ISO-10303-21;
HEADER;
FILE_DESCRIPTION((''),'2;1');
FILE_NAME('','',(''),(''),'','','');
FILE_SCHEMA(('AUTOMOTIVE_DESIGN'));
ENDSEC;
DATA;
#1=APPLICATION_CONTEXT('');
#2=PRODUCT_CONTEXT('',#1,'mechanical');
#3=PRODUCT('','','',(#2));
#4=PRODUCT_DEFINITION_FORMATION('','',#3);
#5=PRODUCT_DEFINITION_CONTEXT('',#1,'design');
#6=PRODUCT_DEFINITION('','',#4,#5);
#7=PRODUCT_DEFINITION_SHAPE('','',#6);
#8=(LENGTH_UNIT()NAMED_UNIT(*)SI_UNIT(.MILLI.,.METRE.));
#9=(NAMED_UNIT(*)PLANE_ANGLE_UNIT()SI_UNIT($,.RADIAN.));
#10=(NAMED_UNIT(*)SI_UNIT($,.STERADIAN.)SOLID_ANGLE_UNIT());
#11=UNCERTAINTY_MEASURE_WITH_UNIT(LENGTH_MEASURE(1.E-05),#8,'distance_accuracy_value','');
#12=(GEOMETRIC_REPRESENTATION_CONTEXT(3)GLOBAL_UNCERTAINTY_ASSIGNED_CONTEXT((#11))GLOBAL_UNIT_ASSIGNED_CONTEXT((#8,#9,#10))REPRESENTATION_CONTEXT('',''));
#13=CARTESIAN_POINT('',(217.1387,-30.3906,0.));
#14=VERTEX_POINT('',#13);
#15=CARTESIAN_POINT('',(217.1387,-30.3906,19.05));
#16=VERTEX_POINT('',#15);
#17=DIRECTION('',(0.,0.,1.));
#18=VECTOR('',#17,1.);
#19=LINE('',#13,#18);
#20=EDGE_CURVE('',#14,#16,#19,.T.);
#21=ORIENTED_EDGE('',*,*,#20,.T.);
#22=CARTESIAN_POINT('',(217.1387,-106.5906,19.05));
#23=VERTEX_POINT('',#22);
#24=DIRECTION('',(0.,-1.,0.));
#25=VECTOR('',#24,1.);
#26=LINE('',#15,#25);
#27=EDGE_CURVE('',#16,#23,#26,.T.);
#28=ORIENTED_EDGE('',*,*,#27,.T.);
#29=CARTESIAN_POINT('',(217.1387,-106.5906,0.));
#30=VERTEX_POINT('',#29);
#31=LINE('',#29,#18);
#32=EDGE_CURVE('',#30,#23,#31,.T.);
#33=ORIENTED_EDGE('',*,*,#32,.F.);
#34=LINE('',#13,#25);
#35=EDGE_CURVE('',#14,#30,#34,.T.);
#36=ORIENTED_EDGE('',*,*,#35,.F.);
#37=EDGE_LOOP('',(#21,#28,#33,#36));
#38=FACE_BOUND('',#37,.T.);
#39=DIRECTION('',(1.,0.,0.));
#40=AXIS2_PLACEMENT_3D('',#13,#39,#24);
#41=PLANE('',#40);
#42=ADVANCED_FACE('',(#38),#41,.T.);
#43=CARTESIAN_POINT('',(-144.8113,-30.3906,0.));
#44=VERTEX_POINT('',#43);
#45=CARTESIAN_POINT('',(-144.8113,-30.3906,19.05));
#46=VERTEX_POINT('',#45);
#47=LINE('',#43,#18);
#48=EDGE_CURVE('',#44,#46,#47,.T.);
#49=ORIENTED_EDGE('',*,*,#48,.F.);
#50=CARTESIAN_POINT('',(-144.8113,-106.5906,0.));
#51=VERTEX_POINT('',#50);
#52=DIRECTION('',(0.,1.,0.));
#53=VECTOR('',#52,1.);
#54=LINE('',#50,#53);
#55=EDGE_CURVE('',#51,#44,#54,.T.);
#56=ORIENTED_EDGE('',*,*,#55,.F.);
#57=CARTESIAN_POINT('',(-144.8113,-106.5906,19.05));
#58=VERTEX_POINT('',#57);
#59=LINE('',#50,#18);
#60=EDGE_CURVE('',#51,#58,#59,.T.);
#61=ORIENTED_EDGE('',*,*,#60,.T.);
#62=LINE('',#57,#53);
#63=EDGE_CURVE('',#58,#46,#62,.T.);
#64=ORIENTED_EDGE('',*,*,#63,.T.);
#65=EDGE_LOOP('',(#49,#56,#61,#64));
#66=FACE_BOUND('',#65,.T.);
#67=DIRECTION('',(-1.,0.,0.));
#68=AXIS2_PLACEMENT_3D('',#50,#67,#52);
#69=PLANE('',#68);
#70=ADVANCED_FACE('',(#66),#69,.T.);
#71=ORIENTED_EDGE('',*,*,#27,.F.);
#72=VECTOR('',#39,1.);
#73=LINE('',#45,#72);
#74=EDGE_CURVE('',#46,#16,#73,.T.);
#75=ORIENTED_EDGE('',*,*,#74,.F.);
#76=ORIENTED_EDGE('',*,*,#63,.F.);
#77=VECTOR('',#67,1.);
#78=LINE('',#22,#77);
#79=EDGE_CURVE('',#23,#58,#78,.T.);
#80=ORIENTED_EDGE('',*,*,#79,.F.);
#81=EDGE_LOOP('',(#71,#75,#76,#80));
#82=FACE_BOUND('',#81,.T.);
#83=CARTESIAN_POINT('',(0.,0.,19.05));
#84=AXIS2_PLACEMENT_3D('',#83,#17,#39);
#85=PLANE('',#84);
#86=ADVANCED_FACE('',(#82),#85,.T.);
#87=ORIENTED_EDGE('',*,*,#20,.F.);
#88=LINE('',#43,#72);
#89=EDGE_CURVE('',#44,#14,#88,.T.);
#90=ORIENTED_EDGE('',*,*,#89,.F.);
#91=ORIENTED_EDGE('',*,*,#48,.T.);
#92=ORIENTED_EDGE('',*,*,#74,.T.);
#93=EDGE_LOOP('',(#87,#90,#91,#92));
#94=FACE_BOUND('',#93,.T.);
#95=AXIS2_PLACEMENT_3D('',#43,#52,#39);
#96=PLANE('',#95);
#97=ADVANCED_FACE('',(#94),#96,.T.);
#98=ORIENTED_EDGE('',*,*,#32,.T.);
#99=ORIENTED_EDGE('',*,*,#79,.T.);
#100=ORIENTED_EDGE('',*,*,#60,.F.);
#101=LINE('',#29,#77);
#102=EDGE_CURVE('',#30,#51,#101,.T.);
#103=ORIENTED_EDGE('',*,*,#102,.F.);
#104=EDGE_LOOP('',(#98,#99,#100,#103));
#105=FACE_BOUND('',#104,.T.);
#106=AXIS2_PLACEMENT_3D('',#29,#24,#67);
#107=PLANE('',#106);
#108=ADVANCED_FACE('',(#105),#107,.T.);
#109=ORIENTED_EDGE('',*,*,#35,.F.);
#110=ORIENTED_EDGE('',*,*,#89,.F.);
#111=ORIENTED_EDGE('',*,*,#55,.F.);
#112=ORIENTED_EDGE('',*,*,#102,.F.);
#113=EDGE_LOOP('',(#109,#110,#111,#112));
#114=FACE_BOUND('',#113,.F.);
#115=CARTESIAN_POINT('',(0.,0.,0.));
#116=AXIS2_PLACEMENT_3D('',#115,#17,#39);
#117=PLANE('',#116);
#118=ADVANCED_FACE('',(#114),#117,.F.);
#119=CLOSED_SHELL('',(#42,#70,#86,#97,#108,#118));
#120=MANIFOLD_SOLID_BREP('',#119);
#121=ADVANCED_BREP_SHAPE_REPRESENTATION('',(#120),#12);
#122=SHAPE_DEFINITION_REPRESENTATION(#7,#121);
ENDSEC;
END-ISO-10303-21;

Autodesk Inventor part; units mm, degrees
ref_plane "YZ Plane" through (0, 0, 0) normal (1, 0, 0) x (0, 1, 0)
ref_plane "XZ Plane" through (0, 0, 0) normal (0, 1, 0) x (-1, 0, 0)
ref_plane "XY Plane" through (0, 0, 0) normal (0, 0, 1) x (1, 0, 0)
sketch "Sketch1" plane through (0, 0, 0) normal (0, 0, 1) x (1, 0, 0)
  line L0 (-144.8113, -30.3906) -> (217.1387, -30.3906)
  line L1 (217.1387, -30.3906) -> (217.1387, -106.5906)
  line L2 (217.1387, -106.5906) -> (-144.8113, -106.5906)
  line L3 (-144.8113, -106.5906) -> (-144.8113, -30.3906)
  point P0 (0, 0)
  dimension "d0" = 361.95
  dimension "d1" = 76.2
extrude "Extrusion1" add sketch "Sketch1" along normal blind 19.05
properties part number "Drawer ends" material "Wood (Cherry)"
